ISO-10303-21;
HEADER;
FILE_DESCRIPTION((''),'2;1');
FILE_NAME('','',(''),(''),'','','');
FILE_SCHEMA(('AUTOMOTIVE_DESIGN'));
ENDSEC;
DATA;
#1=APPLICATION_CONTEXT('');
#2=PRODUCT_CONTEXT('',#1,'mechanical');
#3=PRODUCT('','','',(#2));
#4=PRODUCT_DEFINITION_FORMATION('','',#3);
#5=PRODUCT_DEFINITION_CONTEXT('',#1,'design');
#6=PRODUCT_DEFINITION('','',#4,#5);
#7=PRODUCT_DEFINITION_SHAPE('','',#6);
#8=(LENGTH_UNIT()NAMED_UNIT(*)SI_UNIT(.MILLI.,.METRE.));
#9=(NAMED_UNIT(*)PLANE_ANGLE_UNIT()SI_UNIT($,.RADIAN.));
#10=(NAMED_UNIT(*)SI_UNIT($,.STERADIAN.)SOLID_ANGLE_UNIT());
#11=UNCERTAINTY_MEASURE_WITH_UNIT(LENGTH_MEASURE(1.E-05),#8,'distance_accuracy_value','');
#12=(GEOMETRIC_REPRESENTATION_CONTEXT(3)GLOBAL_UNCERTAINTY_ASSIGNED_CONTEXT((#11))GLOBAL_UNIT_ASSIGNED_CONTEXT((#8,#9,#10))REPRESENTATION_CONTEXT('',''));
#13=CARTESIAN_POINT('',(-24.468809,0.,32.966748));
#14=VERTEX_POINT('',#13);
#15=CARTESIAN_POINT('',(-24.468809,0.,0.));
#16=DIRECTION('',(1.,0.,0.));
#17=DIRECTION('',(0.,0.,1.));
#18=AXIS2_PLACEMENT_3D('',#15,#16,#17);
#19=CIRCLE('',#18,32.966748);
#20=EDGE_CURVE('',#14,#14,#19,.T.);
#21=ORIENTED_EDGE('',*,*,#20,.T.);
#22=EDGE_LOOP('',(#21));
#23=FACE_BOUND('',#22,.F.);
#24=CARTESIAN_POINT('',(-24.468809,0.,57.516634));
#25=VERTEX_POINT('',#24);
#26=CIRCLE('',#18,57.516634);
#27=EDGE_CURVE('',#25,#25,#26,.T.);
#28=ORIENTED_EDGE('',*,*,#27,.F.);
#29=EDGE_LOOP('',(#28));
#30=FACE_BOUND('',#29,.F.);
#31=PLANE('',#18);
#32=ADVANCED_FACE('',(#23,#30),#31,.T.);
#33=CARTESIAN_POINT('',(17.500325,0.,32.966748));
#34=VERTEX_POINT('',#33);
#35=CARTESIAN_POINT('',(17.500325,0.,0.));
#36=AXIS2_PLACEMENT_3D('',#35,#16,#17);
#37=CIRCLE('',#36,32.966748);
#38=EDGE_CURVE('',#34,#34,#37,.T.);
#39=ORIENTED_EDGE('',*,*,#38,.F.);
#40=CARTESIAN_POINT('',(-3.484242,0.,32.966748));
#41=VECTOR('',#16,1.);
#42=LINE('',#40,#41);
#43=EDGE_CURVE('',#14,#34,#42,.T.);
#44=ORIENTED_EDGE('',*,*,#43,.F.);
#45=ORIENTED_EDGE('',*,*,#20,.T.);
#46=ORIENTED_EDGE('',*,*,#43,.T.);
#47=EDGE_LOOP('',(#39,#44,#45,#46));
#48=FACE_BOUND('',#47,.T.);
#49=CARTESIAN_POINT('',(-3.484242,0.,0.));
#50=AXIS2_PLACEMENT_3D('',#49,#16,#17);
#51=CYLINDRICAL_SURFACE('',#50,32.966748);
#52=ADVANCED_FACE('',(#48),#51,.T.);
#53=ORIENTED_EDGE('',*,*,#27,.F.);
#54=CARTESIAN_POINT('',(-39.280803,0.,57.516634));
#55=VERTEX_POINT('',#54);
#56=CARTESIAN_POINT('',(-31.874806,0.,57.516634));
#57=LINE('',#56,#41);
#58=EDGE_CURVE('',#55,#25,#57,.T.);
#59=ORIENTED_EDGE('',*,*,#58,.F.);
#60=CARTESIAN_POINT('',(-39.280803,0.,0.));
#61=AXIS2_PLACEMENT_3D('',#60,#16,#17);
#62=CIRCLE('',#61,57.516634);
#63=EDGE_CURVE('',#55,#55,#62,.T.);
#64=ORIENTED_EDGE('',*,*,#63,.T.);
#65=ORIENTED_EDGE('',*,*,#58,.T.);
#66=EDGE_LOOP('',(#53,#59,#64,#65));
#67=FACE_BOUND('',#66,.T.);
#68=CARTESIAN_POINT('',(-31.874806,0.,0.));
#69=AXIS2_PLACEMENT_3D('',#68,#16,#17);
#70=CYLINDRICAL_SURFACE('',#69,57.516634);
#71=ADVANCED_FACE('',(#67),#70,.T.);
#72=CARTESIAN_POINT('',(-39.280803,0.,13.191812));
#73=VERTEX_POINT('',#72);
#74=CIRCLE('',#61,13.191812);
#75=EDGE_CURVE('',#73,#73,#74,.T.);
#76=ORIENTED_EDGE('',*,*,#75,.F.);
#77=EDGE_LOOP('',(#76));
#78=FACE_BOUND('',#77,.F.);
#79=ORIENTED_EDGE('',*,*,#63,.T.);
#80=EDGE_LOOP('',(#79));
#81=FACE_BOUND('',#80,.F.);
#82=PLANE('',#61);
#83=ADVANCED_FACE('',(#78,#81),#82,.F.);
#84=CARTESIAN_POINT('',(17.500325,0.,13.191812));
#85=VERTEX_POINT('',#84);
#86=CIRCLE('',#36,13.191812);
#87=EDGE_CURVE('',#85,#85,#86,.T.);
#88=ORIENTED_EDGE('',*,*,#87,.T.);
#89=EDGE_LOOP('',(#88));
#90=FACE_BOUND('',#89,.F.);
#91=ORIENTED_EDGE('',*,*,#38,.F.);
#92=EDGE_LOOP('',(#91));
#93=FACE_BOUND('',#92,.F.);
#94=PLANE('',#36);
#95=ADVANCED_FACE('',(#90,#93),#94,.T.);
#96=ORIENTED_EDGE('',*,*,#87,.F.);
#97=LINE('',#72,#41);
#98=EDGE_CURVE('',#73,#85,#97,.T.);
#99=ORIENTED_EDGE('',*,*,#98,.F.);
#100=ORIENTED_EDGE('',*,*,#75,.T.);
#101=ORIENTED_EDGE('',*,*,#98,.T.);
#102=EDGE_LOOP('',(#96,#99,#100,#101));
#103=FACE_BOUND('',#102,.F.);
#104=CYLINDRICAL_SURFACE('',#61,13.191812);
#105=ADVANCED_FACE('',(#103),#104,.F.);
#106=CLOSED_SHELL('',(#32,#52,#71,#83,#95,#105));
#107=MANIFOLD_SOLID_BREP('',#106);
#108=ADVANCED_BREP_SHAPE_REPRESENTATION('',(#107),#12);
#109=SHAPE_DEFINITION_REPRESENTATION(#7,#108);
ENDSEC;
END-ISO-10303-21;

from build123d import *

# Parameters (mm, degrees)
F0_W   = 41.969135
F0_H   = 19.774936
F0_W_2 = 14.811993
F0_H_2 = 24.549886


with BuildPart() as f2:
    # F0 (on Front) → F2 (revolve)
    with BuildSketch(Plane.XZ):
        with Locations((-3.484242, 23.07928)):
            Rectangle(F0_W, F0_H)
        with Locations((-31.874806, 45.241691)):
            Rectangle(F0_W_2, F0_H_2)
        with Locations((-31.874806, 23.07928)):
            Rectangle(F0_W_2, F0_H)
    revolve(axis=Axis((-11.279143, 0, 0), (1, 0, 0)))


solid = f2.part
